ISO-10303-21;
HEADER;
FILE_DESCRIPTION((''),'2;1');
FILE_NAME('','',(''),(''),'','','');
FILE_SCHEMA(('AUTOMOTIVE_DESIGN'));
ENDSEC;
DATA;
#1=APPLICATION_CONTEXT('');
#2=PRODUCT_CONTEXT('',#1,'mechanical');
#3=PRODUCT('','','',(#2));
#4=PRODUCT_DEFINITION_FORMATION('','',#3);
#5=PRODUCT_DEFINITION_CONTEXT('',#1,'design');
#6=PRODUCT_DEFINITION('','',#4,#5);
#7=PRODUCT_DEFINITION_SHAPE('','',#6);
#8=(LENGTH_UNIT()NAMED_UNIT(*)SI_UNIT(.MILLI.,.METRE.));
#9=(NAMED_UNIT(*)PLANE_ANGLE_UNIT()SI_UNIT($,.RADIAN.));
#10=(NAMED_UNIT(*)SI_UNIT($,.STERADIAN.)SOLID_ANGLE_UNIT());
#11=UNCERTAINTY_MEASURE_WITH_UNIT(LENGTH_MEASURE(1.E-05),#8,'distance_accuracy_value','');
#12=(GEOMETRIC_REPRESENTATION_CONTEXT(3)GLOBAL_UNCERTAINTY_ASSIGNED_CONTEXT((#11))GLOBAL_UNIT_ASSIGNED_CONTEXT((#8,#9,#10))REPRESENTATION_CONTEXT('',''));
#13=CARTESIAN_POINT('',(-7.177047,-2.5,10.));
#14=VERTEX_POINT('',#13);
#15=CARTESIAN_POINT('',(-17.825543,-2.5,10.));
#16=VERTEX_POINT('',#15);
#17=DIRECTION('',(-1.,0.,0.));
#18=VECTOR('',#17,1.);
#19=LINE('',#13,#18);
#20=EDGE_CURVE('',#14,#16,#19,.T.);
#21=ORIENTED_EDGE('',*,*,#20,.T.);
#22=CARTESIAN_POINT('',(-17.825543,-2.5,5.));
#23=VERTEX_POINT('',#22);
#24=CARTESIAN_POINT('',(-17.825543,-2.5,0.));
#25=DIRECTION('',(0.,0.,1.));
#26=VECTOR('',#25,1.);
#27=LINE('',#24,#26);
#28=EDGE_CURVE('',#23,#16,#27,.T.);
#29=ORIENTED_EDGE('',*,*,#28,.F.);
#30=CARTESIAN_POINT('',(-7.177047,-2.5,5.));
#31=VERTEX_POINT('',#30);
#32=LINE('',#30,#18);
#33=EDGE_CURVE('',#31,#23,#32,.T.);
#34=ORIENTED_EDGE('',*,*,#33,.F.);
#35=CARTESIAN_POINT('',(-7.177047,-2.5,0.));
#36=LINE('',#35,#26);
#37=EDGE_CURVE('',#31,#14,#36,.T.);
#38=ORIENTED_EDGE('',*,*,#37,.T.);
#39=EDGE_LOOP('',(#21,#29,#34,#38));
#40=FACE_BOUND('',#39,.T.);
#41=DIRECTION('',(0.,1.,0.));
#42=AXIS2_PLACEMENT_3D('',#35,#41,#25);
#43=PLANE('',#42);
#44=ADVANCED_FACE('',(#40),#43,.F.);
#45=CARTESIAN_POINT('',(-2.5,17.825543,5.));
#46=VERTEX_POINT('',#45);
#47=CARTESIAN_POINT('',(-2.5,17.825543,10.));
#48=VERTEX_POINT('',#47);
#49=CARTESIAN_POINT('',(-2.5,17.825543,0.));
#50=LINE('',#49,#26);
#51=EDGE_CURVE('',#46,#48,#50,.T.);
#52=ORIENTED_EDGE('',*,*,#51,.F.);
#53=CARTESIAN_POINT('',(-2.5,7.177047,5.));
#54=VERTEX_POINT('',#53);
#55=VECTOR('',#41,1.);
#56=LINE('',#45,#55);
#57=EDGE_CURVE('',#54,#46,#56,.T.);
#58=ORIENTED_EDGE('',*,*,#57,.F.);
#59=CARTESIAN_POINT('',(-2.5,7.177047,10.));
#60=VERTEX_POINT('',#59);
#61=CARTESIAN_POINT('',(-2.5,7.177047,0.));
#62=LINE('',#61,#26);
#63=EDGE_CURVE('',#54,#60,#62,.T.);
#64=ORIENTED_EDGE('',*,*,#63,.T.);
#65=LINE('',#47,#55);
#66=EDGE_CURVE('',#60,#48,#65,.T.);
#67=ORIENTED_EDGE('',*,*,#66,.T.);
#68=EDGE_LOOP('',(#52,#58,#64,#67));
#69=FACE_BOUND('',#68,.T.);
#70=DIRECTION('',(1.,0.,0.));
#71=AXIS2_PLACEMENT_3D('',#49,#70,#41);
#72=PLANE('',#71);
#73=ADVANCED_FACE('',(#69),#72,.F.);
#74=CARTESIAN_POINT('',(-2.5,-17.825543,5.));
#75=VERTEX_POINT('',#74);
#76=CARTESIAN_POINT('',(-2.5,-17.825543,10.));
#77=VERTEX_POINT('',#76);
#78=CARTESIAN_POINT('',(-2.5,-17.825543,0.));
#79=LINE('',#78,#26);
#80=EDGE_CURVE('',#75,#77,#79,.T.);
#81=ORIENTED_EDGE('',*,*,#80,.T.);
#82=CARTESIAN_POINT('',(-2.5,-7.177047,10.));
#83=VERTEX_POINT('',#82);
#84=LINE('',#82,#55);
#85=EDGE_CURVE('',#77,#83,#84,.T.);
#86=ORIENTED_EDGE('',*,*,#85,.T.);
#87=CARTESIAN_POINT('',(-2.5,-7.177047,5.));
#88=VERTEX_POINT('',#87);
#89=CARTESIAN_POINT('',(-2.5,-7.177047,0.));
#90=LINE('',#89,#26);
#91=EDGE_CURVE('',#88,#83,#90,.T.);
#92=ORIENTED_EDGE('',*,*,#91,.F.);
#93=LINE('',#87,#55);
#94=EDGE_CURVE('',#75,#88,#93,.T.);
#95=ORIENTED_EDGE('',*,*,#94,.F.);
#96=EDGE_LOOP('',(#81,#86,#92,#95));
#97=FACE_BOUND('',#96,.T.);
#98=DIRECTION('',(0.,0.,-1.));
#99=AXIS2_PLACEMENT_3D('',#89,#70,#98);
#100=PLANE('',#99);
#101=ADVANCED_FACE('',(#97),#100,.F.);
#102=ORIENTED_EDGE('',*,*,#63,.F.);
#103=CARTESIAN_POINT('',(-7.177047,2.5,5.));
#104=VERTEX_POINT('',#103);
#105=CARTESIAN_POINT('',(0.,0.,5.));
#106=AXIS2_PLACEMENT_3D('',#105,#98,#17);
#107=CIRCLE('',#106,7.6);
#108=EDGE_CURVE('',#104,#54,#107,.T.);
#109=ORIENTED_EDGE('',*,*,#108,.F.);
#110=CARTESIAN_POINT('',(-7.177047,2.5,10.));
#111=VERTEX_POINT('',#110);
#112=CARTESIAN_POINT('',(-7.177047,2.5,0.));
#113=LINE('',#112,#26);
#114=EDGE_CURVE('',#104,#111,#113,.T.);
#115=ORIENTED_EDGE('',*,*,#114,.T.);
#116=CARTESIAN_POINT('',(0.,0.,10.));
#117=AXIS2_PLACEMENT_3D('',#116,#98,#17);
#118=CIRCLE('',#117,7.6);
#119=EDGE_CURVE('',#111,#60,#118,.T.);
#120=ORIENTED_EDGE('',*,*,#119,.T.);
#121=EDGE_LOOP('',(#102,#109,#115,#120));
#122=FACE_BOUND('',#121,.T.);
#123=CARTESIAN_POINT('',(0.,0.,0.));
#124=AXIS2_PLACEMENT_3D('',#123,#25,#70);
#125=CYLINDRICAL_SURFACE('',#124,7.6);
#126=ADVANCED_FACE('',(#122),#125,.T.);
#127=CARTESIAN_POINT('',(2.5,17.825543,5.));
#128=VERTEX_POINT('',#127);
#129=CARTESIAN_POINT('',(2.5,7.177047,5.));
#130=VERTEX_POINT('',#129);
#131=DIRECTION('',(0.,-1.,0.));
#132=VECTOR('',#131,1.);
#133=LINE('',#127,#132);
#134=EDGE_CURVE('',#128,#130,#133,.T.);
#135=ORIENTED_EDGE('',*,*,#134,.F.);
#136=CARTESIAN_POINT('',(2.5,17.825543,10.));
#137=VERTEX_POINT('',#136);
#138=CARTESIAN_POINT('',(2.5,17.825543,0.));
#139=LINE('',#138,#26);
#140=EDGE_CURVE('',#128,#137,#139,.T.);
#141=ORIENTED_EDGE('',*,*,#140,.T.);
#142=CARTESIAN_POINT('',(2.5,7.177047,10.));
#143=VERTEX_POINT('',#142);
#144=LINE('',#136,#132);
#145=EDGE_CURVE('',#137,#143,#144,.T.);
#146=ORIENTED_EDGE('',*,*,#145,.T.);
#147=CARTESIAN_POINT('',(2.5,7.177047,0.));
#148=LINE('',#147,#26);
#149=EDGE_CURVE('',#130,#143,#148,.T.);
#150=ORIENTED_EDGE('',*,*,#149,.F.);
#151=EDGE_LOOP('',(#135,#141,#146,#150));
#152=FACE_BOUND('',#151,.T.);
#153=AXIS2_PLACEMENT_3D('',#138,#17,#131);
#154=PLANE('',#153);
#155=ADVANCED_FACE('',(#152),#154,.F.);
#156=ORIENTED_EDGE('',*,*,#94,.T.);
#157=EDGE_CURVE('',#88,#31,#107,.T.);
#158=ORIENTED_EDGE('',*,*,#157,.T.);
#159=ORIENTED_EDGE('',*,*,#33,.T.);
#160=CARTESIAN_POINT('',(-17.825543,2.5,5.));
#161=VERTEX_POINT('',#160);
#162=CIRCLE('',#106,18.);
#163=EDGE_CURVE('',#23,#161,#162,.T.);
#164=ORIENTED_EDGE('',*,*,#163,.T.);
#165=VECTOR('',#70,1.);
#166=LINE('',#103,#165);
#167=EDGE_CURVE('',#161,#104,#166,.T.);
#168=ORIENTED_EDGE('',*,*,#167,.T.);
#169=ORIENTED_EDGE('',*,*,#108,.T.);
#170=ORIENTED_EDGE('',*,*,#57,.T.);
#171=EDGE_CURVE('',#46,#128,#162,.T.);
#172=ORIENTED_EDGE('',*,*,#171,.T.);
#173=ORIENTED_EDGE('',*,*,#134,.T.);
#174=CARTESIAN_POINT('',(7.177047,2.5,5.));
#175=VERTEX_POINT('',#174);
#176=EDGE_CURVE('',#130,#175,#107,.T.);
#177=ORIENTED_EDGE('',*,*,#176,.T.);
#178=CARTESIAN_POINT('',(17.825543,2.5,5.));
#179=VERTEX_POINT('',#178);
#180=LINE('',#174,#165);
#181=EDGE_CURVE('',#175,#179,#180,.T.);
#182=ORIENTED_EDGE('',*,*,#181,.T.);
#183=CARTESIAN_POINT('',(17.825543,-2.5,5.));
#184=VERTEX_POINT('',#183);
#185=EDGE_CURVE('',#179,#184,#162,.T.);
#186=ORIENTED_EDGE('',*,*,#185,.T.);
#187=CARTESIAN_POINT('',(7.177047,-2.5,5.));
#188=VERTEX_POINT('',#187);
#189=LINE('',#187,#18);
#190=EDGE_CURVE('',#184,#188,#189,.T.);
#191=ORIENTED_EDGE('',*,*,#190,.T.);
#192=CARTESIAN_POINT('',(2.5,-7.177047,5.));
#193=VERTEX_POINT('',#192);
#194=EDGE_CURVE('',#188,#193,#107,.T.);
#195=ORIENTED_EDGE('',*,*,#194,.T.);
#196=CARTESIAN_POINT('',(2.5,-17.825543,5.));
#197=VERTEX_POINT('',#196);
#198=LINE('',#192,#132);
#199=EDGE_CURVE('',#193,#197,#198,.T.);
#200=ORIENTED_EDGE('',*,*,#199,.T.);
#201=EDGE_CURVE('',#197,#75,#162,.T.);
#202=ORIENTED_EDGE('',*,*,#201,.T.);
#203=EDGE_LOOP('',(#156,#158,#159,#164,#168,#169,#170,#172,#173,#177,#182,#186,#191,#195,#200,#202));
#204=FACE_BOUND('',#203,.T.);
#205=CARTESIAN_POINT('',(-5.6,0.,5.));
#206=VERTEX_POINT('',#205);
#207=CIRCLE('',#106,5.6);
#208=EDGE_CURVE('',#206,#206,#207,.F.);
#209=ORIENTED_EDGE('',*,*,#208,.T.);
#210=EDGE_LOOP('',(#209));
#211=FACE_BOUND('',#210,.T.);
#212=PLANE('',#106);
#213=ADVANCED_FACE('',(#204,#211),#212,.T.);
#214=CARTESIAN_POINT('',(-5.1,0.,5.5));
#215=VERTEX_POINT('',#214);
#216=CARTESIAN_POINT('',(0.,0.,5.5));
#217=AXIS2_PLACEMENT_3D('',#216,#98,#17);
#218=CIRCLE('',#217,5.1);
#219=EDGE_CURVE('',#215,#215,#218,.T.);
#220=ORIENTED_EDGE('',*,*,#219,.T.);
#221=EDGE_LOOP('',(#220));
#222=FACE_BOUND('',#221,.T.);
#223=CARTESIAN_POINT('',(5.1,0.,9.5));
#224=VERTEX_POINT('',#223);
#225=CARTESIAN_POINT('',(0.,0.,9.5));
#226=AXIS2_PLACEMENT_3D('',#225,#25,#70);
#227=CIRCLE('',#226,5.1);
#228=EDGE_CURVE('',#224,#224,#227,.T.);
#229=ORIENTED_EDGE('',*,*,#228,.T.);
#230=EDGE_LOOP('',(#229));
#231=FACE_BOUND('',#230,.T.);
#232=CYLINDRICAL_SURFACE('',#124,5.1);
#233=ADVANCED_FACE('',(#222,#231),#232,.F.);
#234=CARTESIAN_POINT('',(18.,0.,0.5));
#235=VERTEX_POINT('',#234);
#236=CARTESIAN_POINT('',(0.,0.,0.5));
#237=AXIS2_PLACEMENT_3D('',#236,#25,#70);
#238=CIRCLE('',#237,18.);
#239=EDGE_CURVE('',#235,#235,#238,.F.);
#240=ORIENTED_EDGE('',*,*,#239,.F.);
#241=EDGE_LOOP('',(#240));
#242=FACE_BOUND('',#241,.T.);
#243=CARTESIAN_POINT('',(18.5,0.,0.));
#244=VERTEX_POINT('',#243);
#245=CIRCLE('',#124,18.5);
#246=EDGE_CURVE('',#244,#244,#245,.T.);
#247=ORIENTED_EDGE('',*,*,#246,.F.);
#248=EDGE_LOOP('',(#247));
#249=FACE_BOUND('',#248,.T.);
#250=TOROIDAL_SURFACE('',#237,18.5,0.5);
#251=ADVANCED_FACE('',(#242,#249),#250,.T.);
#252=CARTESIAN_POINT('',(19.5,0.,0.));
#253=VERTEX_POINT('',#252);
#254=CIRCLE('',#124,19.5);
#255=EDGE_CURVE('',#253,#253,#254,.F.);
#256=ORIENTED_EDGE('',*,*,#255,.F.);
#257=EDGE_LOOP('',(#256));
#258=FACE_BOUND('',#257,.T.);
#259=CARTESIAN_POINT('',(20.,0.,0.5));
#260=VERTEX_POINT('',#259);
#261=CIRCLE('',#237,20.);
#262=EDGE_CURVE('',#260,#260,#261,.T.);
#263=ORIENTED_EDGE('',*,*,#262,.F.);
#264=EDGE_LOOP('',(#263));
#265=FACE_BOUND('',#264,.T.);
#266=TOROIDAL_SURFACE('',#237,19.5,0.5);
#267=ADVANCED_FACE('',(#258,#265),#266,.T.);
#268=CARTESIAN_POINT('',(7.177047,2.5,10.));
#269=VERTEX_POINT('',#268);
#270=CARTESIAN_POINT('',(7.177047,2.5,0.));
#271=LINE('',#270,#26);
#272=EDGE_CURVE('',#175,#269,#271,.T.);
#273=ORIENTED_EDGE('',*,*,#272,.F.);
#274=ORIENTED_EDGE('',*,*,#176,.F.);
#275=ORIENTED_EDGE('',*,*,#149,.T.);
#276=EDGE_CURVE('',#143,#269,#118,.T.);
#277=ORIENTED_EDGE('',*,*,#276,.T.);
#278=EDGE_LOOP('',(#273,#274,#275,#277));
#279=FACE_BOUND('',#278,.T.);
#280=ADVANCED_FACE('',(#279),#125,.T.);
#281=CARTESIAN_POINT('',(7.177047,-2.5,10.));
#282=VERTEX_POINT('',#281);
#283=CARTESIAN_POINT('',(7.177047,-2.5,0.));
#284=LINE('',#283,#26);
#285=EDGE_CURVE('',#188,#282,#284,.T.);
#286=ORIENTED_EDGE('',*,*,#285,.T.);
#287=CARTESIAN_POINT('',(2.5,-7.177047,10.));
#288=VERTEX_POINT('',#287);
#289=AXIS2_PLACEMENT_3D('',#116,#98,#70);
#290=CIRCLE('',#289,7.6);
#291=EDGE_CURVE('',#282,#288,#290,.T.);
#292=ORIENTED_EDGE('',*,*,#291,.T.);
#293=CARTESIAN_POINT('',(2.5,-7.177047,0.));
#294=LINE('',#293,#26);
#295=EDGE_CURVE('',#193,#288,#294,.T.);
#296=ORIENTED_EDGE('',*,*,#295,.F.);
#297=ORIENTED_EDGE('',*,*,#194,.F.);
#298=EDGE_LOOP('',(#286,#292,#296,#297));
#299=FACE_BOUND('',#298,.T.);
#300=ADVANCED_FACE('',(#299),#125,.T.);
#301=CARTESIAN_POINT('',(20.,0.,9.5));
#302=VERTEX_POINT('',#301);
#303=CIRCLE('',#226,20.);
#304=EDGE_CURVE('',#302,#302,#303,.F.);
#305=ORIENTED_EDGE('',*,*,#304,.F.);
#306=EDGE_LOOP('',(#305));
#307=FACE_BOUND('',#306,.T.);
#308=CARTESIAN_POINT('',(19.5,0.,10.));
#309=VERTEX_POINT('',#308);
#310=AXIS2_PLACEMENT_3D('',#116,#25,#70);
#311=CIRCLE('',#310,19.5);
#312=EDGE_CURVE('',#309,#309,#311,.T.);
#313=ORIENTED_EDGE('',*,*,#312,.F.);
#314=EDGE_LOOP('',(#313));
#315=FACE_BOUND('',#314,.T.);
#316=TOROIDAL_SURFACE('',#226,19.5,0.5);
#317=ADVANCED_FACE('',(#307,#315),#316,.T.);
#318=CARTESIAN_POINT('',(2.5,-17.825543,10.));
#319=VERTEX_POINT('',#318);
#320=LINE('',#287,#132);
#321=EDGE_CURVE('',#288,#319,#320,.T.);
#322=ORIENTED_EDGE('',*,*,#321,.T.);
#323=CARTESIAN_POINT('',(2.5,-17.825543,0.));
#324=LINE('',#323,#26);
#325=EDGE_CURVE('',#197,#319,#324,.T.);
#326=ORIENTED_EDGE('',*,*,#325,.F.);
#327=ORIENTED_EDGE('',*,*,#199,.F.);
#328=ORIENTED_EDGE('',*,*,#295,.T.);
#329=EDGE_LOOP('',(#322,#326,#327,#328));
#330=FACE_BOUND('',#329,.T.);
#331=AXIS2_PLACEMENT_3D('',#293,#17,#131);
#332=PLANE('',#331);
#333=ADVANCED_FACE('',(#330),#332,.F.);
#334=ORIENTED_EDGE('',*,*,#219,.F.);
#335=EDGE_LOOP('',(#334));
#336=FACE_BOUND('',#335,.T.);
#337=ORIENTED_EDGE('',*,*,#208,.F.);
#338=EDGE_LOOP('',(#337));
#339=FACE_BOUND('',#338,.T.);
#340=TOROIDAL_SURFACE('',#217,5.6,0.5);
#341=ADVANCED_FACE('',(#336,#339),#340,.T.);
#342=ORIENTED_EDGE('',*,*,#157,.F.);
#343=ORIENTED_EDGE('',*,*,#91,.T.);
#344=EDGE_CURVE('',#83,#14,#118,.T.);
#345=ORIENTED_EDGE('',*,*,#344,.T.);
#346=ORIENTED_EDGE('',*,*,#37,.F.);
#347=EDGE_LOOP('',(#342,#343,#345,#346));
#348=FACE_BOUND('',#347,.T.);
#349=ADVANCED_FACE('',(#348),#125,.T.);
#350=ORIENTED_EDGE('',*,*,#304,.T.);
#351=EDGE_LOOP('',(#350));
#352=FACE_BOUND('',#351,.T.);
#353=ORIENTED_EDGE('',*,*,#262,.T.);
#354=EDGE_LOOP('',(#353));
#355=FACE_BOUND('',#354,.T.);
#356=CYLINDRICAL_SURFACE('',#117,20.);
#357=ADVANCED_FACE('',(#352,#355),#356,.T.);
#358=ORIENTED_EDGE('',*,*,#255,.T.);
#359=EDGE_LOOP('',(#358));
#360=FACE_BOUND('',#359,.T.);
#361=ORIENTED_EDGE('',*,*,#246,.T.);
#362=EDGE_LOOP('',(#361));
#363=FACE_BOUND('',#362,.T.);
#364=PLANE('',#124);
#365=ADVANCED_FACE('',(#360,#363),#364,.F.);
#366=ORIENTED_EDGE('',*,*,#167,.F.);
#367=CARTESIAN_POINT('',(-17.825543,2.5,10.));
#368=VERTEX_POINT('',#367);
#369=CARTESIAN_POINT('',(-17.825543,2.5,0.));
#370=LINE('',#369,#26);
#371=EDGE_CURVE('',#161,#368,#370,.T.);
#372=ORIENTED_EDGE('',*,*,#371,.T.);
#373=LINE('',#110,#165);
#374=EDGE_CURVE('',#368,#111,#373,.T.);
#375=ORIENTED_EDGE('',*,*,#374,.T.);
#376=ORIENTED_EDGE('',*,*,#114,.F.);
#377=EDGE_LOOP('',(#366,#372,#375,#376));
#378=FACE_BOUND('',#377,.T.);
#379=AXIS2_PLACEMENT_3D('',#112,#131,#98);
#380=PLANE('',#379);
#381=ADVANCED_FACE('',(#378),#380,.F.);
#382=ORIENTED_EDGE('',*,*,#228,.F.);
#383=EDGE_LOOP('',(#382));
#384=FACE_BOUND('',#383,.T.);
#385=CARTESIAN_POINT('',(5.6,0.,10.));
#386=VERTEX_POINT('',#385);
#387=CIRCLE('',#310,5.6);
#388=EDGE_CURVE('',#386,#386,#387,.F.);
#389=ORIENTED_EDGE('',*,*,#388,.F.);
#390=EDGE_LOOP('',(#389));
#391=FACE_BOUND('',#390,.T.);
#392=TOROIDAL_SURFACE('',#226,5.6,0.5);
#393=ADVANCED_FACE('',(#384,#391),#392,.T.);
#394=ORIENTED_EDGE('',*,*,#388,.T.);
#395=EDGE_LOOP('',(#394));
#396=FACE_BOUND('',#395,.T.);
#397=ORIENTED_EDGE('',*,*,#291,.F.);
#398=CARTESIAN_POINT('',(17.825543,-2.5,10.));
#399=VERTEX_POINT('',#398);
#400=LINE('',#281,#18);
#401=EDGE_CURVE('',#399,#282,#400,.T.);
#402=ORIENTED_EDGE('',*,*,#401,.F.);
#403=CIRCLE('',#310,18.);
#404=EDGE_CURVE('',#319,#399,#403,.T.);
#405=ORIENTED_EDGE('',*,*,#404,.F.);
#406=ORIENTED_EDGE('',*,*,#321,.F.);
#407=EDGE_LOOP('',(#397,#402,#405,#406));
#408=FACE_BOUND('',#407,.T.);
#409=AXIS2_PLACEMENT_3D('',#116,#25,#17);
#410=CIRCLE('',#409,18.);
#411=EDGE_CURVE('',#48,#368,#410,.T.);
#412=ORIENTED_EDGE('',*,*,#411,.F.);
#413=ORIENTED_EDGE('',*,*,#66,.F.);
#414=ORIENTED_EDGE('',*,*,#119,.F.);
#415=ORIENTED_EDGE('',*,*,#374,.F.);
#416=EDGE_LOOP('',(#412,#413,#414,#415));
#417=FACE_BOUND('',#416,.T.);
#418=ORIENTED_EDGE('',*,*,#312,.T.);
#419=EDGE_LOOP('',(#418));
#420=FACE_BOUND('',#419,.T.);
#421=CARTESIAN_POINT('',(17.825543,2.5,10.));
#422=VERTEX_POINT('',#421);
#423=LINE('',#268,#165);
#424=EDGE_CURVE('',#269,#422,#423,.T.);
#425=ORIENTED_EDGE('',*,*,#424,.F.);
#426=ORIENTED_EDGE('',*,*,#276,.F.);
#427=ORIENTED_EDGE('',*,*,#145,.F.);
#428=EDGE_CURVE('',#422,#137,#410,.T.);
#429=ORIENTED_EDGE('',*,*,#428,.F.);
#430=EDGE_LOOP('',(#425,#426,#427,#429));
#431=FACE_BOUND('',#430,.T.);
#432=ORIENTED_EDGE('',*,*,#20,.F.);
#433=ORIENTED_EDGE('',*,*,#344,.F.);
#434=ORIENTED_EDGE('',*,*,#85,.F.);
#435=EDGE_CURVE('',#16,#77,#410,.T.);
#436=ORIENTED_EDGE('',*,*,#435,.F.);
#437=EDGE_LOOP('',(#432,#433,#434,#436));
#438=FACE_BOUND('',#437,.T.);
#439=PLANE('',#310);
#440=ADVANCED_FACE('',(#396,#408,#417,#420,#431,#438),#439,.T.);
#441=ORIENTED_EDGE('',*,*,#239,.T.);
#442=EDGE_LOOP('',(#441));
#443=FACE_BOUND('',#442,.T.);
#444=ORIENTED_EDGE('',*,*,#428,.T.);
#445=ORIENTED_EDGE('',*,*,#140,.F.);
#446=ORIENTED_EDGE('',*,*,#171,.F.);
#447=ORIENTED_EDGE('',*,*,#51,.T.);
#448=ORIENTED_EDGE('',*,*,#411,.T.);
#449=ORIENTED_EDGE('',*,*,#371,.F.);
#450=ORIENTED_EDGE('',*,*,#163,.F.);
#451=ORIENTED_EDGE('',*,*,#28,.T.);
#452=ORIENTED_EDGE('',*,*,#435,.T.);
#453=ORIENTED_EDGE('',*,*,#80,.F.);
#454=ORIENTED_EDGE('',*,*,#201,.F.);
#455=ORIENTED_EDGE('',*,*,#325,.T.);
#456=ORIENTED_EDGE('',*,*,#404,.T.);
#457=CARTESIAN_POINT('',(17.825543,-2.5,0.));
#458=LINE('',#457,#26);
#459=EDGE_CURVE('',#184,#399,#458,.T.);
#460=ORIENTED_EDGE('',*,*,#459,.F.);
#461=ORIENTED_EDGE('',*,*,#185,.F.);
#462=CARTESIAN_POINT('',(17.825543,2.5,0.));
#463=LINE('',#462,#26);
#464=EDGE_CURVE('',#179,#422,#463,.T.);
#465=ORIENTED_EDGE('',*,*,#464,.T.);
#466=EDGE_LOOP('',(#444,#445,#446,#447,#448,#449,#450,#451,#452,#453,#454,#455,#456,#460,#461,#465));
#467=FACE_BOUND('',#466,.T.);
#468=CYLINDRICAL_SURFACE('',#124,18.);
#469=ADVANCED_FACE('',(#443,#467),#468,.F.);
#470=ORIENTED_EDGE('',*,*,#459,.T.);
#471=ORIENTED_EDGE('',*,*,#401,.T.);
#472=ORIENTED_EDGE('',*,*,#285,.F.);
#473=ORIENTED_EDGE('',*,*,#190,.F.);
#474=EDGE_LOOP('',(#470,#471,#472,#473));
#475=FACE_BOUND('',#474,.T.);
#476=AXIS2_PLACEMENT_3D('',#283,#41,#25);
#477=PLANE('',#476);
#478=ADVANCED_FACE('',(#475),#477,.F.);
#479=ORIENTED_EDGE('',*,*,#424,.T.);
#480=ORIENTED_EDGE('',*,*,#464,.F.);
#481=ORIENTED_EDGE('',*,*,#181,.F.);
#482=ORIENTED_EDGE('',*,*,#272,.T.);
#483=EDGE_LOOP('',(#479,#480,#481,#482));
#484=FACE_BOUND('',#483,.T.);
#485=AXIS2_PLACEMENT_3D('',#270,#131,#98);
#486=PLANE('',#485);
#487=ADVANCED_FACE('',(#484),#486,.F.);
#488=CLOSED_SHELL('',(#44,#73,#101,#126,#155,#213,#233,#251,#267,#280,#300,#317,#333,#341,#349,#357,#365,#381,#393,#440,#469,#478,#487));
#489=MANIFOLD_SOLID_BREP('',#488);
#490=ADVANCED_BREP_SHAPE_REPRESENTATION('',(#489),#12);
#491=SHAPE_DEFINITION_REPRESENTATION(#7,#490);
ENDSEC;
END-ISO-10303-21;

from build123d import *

# Parameters (mm, degrees)
SKETCH2_R           = 20
BOSS_EXTRUDE1_DEPTH = 10
SKETCH4_R           = 5.1
CUT_EXTRUDE1_DEPTH  = 31
CUT_EXTRUDE2_START  = -5
SKETCH5_R           = 18
CUT_EXTRUDE2_DEPTH  = 5
FILLET1_R           = 0.5


with BuildPart() as part:
    # Sketch2 → Boss-Extrude1 (new body)
    with BuildSketch(Plane.XY):
        Circle(SKETCH2_R)
    extrude(amount=BOSS_EXTRUDE1_DEPTH)

    # Sketch4 → Cut-Extrude1 (cut, through all)
    with BuildSketch(Plane.XY.offset(10)):
        Circle(SKETCH4_R)
        with BuildLine():
            Line((-2.5, 17.82554347), (-2.5, 7.177046746))
            ThreePointArc((-2.5, 7.177046746), (-5.374011537, 5.374011537), (-7.177046746, 2.5))
            Line((-7.177046746, 2.5), (-17.82554347, 2.5))
            ThreePointArc((-17.82554347, 2.5), (-12.727922061, 12.727922061), (-2.5, 17.82554347))
        make_face()
        with BuildLine():
            Line((2.5, 17.82554347), (2.5, 7.177046746))
            ThreePointArc((2.5, 7.177046746), (5.374011537, 5.374011537), (7.177046746, 2.5))
            Line((7.177046746, 2.5), (17.82554347, 2.5))
            ThreePointArc((17.82554347, 2.5), (12.727922061, 12.727922061), (2.5, 17.82554347))
        make_face()
        with BuildLine():
            Line((7.177046746, -2.5), (17.82554347, -2.5))
            ThreePointArc((17.82554347, -2.5), (12.727922061, -12.727922061), (2.5, -17.82554347))
            Line((2.5, -17.82554347), (2.5, -7.177046746))
            ThreePointArc((2.5, -7.177046746), (5.374011537, -5.374011537), (7.177046746, -2.5))
        make_face()
        with BuildLine():
            Line((-7.177046746, -2.5), (-17.82554347, -2.5))
            ThreePointArc((-17.82554347, -2.5), (-12.727922061, -12.727922061), (-2.5, -17.82554347))
            Line((-2.5, -17.82554347), (-2.5, -7.177046746))
            ThreePointArc((-2.5, -7.177046746), (-5.374011537, -5.374011537), (-7.177046746, -2.5))
        make_face()
    extrude(amount=-CUT_EXTRUDE1_DEPTH, mode=Mode.SUBTRACT)

    # Sketch5 → Cut-Extrude2 (cut)
    with BuildSketch(Plane(origin=(0, 0, 0), x_dir=(-1, 0, 0), z_dir=(0, 0, -1)).offset(CUT_EXTRUDE2_START)):
        with Locations(Location((0, 0, 0), (0, 0, 172.016443854))):
            Circle(SKETCH5_R)
    extrude(amount=CUT_EXTRUDE2_DEPTH, mode=Mode.SUBTRACT)

    # Fillet1
    fillet1_edges = [part.edges().sort_by_distance(p)[0] for p in [
        (-20, 0, 0),
        (-18, 0, 0),
        (-5.1, 0, 10),
        (-20, 0, 10),
        (-5.1, 0, 5),
    ]]
    fillet(fillet1_edges, radius=FILLET1_R)


solid = part.part
